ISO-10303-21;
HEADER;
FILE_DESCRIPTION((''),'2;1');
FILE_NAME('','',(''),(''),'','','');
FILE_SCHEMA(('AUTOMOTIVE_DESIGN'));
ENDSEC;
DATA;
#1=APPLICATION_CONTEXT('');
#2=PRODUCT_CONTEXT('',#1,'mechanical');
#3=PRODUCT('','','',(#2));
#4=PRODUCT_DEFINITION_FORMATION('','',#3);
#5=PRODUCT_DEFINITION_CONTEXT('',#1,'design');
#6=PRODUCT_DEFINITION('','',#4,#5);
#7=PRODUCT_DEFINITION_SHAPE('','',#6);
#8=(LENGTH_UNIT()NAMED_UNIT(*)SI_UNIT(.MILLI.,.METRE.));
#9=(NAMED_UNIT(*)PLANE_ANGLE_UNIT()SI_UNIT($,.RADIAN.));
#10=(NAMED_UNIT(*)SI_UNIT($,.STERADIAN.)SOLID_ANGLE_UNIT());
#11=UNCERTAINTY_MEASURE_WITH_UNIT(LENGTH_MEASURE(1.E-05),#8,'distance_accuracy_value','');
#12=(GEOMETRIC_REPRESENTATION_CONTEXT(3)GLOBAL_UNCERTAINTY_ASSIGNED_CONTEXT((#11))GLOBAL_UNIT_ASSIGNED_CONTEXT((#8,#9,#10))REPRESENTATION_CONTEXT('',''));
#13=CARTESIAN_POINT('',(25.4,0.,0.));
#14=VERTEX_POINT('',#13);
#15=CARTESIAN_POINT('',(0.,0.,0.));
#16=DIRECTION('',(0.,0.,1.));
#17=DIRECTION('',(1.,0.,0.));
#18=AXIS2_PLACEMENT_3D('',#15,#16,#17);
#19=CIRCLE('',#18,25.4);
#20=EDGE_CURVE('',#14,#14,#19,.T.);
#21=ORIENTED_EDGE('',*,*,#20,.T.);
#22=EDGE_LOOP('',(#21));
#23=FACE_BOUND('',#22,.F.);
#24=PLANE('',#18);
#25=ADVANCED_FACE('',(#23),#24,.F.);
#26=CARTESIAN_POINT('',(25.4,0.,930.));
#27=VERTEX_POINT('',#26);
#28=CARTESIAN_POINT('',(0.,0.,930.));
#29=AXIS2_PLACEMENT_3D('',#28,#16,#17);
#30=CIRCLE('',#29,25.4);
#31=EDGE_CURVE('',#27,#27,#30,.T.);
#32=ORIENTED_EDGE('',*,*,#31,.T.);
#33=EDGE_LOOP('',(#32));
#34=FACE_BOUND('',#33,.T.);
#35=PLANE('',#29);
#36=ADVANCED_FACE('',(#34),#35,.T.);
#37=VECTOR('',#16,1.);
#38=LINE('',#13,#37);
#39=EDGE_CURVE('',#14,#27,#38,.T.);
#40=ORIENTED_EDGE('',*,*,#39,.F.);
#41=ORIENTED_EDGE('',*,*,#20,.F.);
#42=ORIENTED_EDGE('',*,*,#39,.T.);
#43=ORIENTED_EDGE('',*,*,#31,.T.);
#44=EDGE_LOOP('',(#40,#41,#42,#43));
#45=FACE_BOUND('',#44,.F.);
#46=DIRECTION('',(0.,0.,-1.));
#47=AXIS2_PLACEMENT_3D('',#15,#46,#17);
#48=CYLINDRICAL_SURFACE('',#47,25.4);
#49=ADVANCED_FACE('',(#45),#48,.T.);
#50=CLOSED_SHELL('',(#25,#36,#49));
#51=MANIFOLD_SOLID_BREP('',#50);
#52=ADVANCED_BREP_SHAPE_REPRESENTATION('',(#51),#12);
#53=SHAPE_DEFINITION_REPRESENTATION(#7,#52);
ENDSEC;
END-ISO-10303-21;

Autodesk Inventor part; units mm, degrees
ref_plane "YZ Plane" through (0, 0, 0) normal (1, 0, 0) x (0, 1, 0)
ref_plane "XZ Plane" through (0, 0, 0) normal (0, 1, 0) x (-1, 0, 0)
ref_plane "XY Plane" through (0, 0, 0) normal (0, 0, 1) x (1, 0, 0)
sketch "Boceto1" plane through (0, 0, 0) normal (0, 0, 1) x (1, 0, 0)
  circle A0 centre (0, 0) radius 25.4
  dimension "d0" = 50.8
extrude "Extrusión1" add sketch "Boceto1" along normal blind 930
